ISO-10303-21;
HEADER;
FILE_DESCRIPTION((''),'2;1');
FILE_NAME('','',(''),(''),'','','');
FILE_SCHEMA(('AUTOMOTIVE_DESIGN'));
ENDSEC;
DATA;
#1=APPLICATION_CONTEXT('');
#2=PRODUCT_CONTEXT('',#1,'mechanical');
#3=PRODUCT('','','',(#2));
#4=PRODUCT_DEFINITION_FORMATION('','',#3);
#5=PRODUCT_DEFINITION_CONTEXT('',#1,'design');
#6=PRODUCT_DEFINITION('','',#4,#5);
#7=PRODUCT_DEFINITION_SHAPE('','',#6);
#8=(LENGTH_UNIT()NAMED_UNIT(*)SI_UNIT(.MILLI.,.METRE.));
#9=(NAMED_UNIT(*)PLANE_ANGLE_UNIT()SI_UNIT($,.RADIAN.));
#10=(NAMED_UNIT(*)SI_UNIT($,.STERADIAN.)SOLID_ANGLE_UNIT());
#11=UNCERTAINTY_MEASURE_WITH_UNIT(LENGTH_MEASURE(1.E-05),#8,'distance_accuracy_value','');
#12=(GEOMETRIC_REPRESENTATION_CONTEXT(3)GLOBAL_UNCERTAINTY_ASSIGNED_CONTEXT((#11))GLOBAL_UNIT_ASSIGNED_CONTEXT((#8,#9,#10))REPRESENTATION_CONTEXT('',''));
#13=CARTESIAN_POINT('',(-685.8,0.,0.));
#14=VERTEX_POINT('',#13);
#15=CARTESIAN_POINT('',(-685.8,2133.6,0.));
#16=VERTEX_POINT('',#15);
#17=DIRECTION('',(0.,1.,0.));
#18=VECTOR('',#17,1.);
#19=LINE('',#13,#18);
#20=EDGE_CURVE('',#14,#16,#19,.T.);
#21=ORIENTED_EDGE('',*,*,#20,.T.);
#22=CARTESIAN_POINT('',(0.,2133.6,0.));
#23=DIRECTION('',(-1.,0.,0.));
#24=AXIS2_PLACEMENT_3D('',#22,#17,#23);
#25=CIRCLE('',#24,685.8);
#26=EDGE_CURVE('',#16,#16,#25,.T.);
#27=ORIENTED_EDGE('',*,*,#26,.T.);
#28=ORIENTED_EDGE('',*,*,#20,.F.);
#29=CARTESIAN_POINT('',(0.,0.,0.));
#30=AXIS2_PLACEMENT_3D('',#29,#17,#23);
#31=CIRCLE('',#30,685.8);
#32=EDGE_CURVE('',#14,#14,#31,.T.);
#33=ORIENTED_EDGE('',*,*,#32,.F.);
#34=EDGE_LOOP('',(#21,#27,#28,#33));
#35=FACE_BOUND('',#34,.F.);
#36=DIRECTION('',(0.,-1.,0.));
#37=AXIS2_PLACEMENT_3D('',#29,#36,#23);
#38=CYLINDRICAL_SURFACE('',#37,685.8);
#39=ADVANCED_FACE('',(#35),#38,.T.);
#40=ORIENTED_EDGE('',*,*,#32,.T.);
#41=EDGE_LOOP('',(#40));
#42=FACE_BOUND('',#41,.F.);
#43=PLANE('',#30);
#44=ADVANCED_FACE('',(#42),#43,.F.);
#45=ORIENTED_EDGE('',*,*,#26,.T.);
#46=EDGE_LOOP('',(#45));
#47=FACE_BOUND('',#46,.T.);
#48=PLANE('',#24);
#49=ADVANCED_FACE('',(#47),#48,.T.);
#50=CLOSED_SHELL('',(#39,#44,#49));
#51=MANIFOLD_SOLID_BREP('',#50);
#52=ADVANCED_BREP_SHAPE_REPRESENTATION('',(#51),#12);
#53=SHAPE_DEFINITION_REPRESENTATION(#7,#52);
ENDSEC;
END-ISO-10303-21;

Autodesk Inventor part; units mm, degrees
ref_plane "XZ Plane" through (0, 0, 0) normal (0, 1, 0) x (-1, 0, 0)
ref_plane "XY Plane" through (0, 0, 0) normal (0, 0, 1) x (1, 0, 0)
sketch "Sketch1" plane through (0, 0, 0) normal (0, 1, 0) x (-1, 0, 0)
  circle A0 centre (0, 0) radius 685.8
  dimension "d0" = 1371.6
extrude "Extrusion1" add sketch "Sketch1" along normal blind 2133.6
properties part number "Playing Configuration Constraint"
